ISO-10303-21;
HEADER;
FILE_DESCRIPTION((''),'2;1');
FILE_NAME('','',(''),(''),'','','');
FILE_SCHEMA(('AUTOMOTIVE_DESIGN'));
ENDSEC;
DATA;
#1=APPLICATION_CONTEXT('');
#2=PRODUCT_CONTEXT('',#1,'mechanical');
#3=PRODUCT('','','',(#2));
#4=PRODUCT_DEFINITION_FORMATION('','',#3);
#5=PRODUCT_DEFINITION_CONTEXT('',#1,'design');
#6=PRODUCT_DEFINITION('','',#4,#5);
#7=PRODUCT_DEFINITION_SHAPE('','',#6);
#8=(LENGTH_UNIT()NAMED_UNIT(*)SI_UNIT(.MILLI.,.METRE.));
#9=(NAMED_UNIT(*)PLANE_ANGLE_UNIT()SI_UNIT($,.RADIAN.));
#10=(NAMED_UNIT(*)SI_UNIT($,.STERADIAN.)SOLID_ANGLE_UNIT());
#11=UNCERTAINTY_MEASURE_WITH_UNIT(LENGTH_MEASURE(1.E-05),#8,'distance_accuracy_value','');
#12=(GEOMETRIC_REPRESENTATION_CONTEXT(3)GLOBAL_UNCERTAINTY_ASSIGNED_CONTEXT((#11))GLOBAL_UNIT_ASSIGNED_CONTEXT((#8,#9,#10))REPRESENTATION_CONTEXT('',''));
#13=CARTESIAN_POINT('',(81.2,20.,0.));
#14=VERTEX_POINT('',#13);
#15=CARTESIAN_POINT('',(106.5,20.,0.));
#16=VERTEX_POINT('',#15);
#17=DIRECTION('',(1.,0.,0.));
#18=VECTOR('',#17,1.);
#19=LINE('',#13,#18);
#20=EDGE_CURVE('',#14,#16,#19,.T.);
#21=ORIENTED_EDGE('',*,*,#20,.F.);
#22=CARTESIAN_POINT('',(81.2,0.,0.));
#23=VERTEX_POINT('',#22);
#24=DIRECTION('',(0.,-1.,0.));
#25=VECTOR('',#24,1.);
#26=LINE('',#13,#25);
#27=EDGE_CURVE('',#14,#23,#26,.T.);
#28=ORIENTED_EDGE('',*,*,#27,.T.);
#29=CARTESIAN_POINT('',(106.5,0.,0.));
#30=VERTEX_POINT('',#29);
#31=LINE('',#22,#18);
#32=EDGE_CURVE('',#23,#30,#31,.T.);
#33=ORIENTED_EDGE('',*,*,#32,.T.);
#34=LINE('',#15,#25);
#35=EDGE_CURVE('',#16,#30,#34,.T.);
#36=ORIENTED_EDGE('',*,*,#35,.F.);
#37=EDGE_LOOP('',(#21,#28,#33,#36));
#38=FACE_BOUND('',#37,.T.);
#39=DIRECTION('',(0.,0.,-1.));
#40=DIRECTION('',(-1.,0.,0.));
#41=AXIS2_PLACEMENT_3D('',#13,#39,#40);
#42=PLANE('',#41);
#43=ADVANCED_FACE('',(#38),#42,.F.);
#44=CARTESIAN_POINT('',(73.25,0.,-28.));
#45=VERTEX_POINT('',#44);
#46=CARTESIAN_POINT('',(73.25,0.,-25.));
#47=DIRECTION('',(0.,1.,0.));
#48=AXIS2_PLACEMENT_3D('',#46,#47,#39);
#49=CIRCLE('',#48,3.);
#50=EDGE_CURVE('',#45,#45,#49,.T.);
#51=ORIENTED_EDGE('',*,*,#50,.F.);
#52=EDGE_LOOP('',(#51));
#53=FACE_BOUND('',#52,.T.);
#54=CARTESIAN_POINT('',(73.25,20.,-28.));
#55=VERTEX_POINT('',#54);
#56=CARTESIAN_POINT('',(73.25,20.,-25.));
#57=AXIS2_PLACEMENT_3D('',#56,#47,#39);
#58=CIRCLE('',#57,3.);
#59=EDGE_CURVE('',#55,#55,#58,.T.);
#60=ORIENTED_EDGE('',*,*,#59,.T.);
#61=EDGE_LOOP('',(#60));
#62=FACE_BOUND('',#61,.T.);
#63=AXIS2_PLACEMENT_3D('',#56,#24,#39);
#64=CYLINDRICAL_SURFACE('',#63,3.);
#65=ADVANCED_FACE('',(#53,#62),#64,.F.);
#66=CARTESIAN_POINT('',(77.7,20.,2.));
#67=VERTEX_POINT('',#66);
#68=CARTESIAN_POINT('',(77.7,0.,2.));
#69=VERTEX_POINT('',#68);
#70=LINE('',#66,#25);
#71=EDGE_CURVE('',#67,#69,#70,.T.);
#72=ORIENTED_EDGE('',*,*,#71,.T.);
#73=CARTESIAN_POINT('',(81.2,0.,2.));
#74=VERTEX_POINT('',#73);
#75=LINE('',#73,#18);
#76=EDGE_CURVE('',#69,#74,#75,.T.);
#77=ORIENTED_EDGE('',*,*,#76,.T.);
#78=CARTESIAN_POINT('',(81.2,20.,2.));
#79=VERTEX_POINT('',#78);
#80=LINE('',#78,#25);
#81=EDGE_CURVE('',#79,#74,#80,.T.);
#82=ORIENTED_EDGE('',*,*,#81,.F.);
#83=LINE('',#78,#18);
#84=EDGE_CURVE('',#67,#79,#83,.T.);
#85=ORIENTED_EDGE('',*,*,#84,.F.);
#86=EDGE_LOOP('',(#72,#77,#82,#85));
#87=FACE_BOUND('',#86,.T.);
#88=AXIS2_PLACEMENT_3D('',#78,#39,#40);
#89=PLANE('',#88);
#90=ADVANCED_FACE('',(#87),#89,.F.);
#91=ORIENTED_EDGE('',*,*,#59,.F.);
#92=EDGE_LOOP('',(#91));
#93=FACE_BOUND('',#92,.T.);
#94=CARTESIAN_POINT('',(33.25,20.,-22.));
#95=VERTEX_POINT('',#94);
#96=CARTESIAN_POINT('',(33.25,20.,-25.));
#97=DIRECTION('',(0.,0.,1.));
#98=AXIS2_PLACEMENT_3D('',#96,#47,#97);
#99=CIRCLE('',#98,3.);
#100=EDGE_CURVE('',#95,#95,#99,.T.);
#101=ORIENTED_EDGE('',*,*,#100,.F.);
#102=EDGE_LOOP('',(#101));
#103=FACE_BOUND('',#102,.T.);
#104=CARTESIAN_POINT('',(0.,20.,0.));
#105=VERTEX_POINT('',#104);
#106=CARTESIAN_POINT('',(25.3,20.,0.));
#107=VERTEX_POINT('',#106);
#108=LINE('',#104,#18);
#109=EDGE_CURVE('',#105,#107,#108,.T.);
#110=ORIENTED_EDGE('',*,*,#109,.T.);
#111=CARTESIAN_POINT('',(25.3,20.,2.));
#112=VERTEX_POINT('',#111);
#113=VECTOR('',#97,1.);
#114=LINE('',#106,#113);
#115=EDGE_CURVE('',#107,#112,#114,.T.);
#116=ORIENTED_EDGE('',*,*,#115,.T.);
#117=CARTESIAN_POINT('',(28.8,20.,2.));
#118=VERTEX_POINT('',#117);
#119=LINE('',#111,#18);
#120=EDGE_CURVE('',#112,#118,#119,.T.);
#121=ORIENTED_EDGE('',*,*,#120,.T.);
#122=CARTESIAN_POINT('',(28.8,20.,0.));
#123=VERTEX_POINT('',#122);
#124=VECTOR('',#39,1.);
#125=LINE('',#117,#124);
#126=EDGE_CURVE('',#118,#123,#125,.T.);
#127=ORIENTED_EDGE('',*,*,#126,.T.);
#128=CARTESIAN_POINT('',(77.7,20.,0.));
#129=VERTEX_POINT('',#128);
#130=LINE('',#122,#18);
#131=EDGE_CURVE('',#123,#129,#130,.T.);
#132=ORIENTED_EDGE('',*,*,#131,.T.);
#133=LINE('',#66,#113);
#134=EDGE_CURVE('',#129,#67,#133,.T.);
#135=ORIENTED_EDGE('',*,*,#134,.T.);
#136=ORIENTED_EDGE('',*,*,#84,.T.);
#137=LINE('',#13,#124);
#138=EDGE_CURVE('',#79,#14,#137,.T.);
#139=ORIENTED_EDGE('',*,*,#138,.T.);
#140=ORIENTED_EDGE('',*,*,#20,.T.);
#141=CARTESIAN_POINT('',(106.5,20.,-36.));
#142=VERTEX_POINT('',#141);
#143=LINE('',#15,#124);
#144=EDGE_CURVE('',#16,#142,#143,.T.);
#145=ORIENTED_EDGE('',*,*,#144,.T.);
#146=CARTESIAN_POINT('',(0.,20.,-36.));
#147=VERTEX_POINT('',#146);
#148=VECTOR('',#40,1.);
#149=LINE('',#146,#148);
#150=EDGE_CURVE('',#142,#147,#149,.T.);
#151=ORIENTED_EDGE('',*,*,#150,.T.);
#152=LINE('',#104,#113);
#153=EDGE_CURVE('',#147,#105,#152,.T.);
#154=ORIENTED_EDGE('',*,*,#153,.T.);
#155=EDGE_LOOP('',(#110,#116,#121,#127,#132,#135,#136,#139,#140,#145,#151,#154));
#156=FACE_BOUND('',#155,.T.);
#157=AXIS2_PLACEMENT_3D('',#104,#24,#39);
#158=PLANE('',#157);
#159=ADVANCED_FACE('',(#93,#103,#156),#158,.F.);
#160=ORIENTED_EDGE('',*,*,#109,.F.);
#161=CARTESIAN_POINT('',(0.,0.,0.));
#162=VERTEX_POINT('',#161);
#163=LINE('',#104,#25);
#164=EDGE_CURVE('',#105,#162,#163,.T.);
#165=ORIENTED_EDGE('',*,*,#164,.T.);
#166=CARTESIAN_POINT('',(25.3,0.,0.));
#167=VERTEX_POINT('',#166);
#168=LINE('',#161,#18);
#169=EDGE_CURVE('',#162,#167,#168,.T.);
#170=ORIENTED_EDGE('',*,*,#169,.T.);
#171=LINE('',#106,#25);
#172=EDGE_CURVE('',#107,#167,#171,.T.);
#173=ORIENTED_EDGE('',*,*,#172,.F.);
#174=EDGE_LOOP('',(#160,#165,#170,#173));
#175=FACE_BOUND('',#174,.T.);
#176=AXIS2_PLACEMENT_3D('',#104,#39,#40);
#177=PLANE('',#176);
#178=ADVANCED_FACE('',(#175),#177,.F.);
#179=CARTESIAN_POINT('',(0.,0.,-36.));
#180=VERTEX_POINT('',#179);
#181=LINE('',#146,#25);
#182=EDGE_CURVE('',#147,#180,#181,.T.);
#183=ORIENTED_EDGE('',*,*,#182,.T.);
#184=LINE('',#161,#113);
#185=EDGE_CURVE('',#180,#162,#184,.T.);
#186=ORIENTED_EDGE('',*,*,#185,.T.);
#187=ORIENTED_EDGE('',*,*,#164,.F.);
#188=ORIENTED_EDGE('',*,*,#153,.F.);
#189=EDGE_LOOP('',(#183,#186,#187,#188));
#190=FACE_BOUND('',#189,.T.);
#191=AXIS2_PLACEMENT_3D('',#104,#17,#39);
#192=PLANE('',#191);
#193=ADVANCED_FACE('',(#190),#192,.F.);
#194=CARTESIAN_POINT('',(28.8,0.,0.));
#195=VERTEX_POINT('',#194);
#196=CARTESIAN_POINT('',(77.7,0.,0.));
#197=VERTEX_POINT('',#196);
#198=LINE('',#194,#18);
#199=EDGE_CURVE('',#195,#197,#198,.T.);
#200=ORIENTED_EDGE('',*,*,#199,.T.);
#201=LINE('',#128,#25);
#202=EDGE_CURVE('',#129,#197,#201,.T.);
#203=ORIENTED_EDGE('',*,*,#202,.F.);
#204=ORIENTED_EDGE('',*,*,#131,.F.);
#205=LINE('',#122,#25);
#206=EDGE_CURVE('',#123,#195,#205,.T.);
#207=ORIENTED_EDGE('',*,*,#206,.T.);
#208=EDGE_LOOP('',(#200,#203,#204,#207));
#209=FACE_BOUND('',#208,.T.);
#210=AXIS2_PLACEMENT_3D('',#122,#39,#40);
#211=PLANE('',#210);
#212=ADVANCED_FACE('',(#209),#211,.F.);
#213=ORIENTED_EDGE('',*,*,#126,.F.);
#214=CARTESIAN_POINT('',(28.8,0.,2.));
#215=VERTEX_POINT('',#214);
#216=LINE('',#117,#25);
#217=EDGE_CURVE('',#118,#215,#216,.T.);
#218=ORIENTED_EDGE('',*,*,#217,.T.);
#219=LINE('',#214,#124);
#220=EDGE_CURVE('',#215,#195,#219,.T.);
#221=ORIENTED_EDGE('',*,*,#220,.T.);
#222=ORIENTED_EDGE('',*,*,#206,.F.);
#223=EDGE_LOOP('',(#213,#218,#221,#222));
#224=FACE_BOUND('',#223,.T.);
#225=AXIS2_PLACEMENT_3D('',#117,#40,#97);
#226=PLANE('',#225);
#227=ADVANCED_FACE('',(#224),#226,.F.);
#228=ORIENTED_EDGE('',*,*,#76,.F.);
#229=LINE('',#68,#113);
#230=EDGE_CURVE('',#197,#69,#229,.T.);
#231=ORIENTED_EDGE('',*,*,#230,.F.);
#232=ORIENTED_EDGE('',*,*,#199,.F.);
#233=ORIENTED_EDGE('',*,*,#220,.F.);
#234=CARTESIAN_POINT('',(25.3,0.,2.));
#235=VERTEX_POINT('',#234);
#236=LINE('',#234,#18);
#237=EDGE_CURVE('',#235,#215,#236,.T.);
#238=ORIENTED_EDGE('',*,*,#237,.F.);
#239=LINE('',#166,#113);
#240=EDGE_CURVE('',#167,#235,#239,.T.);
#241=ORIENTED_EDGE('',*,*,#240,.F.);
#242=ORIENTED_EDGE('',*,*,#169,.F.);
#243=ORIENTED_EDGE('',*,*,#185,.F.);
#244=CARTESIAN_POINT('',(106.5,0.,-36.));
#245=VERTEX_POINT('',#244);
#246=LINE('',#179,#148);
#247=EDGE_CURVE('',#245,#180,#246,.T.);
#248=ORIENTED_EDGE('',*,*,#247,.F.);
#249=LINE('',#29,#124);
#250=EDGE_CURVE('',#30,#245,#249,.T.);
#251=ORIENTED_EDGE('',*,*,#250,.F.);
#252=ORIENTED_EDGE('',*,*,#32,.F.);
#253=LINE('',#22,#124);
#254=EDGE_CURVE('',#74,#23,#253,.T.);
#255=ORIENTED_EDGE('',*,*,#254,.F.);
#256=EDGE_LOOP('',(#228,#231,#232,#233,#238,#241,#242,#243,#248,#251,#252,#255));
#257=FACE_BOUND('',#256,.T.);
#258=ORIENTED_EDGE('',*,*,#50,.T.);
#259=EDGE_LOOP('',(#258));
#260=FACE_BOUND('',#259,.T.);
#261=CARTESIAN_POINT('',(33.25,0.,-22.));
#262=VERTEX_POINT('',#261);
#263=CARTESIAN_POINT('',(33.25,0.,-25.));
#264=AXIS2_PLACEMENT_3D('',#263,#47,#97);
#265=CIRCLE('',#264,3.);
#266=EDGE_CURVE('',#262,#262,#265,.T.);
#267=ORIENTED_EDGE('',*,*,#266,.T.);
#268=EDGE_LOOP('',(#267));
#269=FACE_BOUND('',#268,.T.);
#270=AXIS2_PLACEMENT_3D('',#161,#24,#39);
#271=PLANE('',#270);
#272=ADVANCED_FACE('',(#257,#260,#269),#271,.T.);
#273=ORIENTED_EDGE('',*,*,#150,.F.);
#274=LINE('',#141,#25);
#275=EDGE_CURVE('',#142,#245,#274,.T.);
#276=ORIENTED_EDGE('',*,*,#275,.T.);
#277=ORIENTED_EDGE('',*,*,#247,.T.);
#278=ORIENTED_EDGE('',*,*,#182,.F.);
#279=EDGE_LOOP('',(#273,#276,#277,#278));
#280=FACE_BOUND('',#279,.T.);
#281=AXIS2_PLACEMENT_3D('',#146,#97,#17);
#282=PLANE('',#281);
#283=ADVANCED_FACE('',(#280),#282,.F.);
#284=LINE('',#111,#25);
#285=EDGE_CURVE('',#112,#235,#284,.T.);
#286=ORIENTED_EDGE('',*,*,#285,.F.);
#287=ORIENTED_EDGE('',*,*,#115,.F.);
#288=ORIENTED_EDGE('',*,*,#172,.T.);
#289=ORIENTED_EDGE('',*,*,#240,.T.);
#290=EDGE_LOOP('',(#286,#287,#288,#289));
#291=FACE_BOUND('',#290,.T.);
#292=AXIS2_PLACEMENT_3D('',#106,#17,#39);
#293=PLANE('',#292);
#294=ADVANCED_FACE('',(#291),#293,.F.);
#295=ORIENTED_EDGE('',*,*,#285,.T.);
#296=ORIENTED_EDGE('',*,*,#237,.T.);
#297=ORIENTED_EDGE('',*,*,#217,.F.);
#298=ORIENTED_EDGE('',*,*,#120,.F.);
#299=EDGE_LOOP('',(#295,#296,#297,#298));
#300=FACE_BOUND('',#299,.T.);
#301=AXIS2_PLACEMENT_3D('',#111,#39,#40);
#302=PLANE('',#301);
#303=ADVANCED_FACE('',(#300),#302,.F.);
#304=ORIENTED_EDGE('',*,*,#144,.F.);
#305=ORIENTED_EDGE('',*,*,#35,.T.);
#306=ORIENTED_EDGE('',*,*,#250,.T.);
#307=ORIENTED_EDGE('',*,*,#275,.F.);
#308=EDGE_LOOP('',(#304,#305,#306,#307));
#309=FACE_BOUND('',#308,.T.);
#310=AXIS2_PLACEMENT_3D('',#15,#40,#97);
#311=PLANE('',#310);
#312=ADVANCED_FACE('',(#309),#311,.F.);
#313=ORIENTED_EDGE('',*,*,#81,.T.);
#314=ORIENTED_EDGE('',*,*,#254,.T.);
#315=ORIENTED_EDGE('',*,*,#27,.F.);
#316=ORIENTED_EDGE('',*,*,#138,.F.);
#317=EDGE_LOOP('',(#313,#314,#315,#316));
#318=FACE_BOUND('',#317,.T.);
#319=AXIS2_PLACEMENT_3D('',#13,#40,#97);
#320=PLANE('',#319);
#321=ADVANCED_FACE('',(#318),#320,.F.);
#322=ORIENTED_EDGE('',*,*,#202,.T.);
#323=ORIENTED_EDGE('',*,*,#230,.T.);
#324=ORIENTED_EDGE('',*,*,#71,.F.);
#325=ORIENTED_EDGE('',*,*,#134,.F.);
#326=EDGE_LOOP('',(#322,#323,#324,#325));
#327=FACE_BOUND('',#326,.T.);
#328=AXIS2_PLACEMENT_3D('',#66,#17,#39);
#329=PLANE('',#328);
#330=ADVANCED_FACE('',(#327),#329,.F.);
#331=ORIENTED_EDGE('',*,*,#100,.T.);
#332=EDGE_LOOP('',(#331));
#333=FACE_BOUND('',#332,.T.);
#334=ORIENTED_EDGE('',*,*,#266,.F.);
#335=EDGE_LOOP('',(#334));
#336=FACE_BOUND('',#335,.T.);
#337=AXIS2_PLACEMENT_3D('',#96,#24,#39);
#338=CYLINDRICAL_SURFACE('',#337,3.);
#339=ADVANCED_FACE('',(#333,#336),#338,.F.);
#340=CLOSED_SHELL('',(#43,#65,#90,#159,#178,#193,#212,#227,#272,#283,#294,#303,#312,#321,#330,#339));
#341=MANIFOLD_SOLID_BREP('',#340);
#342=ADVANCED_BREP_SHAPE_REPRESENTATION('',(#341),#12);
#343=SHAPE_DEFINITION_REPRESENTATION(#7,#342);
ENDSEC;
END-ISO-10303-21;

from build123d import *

# Parameters (mm, degrees)
SKETCH1_R           = 3
BOSS_EXTRUDE2_DEPTH = 20


with BuildPart() as part:
    # Sketch1 → Boss-Extrude2 (new body)
    with BuildSketch(Plane(origin=(0, 0, 0), x_dir=(1, 0, 0), z_dir=(0, 1, 0))):
        Polygon((0, 0), (25.3, 0), (25.3, -2), (28.8, -2), (28.8, 0), (77.7, 0), (77.7, -2), (81.2, -2), (81.2, 0), (106.5, 0), (106.5, 36), (0, 36), align=None)
        with Locations(Location((33.25, 25, 0), (0, 0, 270))):
            Circle(SKETCH1_R, mode=Mode.SUBTRACT)
        with Locations(Location((73.25, 25, 0), (0, 0, 90))):
            Circle(SKETCH1_R, mode=Mode.SUBTRACT)
    extrude(amount=BOSS_EXTRUDE2_DEPTH)


solid = part.part
